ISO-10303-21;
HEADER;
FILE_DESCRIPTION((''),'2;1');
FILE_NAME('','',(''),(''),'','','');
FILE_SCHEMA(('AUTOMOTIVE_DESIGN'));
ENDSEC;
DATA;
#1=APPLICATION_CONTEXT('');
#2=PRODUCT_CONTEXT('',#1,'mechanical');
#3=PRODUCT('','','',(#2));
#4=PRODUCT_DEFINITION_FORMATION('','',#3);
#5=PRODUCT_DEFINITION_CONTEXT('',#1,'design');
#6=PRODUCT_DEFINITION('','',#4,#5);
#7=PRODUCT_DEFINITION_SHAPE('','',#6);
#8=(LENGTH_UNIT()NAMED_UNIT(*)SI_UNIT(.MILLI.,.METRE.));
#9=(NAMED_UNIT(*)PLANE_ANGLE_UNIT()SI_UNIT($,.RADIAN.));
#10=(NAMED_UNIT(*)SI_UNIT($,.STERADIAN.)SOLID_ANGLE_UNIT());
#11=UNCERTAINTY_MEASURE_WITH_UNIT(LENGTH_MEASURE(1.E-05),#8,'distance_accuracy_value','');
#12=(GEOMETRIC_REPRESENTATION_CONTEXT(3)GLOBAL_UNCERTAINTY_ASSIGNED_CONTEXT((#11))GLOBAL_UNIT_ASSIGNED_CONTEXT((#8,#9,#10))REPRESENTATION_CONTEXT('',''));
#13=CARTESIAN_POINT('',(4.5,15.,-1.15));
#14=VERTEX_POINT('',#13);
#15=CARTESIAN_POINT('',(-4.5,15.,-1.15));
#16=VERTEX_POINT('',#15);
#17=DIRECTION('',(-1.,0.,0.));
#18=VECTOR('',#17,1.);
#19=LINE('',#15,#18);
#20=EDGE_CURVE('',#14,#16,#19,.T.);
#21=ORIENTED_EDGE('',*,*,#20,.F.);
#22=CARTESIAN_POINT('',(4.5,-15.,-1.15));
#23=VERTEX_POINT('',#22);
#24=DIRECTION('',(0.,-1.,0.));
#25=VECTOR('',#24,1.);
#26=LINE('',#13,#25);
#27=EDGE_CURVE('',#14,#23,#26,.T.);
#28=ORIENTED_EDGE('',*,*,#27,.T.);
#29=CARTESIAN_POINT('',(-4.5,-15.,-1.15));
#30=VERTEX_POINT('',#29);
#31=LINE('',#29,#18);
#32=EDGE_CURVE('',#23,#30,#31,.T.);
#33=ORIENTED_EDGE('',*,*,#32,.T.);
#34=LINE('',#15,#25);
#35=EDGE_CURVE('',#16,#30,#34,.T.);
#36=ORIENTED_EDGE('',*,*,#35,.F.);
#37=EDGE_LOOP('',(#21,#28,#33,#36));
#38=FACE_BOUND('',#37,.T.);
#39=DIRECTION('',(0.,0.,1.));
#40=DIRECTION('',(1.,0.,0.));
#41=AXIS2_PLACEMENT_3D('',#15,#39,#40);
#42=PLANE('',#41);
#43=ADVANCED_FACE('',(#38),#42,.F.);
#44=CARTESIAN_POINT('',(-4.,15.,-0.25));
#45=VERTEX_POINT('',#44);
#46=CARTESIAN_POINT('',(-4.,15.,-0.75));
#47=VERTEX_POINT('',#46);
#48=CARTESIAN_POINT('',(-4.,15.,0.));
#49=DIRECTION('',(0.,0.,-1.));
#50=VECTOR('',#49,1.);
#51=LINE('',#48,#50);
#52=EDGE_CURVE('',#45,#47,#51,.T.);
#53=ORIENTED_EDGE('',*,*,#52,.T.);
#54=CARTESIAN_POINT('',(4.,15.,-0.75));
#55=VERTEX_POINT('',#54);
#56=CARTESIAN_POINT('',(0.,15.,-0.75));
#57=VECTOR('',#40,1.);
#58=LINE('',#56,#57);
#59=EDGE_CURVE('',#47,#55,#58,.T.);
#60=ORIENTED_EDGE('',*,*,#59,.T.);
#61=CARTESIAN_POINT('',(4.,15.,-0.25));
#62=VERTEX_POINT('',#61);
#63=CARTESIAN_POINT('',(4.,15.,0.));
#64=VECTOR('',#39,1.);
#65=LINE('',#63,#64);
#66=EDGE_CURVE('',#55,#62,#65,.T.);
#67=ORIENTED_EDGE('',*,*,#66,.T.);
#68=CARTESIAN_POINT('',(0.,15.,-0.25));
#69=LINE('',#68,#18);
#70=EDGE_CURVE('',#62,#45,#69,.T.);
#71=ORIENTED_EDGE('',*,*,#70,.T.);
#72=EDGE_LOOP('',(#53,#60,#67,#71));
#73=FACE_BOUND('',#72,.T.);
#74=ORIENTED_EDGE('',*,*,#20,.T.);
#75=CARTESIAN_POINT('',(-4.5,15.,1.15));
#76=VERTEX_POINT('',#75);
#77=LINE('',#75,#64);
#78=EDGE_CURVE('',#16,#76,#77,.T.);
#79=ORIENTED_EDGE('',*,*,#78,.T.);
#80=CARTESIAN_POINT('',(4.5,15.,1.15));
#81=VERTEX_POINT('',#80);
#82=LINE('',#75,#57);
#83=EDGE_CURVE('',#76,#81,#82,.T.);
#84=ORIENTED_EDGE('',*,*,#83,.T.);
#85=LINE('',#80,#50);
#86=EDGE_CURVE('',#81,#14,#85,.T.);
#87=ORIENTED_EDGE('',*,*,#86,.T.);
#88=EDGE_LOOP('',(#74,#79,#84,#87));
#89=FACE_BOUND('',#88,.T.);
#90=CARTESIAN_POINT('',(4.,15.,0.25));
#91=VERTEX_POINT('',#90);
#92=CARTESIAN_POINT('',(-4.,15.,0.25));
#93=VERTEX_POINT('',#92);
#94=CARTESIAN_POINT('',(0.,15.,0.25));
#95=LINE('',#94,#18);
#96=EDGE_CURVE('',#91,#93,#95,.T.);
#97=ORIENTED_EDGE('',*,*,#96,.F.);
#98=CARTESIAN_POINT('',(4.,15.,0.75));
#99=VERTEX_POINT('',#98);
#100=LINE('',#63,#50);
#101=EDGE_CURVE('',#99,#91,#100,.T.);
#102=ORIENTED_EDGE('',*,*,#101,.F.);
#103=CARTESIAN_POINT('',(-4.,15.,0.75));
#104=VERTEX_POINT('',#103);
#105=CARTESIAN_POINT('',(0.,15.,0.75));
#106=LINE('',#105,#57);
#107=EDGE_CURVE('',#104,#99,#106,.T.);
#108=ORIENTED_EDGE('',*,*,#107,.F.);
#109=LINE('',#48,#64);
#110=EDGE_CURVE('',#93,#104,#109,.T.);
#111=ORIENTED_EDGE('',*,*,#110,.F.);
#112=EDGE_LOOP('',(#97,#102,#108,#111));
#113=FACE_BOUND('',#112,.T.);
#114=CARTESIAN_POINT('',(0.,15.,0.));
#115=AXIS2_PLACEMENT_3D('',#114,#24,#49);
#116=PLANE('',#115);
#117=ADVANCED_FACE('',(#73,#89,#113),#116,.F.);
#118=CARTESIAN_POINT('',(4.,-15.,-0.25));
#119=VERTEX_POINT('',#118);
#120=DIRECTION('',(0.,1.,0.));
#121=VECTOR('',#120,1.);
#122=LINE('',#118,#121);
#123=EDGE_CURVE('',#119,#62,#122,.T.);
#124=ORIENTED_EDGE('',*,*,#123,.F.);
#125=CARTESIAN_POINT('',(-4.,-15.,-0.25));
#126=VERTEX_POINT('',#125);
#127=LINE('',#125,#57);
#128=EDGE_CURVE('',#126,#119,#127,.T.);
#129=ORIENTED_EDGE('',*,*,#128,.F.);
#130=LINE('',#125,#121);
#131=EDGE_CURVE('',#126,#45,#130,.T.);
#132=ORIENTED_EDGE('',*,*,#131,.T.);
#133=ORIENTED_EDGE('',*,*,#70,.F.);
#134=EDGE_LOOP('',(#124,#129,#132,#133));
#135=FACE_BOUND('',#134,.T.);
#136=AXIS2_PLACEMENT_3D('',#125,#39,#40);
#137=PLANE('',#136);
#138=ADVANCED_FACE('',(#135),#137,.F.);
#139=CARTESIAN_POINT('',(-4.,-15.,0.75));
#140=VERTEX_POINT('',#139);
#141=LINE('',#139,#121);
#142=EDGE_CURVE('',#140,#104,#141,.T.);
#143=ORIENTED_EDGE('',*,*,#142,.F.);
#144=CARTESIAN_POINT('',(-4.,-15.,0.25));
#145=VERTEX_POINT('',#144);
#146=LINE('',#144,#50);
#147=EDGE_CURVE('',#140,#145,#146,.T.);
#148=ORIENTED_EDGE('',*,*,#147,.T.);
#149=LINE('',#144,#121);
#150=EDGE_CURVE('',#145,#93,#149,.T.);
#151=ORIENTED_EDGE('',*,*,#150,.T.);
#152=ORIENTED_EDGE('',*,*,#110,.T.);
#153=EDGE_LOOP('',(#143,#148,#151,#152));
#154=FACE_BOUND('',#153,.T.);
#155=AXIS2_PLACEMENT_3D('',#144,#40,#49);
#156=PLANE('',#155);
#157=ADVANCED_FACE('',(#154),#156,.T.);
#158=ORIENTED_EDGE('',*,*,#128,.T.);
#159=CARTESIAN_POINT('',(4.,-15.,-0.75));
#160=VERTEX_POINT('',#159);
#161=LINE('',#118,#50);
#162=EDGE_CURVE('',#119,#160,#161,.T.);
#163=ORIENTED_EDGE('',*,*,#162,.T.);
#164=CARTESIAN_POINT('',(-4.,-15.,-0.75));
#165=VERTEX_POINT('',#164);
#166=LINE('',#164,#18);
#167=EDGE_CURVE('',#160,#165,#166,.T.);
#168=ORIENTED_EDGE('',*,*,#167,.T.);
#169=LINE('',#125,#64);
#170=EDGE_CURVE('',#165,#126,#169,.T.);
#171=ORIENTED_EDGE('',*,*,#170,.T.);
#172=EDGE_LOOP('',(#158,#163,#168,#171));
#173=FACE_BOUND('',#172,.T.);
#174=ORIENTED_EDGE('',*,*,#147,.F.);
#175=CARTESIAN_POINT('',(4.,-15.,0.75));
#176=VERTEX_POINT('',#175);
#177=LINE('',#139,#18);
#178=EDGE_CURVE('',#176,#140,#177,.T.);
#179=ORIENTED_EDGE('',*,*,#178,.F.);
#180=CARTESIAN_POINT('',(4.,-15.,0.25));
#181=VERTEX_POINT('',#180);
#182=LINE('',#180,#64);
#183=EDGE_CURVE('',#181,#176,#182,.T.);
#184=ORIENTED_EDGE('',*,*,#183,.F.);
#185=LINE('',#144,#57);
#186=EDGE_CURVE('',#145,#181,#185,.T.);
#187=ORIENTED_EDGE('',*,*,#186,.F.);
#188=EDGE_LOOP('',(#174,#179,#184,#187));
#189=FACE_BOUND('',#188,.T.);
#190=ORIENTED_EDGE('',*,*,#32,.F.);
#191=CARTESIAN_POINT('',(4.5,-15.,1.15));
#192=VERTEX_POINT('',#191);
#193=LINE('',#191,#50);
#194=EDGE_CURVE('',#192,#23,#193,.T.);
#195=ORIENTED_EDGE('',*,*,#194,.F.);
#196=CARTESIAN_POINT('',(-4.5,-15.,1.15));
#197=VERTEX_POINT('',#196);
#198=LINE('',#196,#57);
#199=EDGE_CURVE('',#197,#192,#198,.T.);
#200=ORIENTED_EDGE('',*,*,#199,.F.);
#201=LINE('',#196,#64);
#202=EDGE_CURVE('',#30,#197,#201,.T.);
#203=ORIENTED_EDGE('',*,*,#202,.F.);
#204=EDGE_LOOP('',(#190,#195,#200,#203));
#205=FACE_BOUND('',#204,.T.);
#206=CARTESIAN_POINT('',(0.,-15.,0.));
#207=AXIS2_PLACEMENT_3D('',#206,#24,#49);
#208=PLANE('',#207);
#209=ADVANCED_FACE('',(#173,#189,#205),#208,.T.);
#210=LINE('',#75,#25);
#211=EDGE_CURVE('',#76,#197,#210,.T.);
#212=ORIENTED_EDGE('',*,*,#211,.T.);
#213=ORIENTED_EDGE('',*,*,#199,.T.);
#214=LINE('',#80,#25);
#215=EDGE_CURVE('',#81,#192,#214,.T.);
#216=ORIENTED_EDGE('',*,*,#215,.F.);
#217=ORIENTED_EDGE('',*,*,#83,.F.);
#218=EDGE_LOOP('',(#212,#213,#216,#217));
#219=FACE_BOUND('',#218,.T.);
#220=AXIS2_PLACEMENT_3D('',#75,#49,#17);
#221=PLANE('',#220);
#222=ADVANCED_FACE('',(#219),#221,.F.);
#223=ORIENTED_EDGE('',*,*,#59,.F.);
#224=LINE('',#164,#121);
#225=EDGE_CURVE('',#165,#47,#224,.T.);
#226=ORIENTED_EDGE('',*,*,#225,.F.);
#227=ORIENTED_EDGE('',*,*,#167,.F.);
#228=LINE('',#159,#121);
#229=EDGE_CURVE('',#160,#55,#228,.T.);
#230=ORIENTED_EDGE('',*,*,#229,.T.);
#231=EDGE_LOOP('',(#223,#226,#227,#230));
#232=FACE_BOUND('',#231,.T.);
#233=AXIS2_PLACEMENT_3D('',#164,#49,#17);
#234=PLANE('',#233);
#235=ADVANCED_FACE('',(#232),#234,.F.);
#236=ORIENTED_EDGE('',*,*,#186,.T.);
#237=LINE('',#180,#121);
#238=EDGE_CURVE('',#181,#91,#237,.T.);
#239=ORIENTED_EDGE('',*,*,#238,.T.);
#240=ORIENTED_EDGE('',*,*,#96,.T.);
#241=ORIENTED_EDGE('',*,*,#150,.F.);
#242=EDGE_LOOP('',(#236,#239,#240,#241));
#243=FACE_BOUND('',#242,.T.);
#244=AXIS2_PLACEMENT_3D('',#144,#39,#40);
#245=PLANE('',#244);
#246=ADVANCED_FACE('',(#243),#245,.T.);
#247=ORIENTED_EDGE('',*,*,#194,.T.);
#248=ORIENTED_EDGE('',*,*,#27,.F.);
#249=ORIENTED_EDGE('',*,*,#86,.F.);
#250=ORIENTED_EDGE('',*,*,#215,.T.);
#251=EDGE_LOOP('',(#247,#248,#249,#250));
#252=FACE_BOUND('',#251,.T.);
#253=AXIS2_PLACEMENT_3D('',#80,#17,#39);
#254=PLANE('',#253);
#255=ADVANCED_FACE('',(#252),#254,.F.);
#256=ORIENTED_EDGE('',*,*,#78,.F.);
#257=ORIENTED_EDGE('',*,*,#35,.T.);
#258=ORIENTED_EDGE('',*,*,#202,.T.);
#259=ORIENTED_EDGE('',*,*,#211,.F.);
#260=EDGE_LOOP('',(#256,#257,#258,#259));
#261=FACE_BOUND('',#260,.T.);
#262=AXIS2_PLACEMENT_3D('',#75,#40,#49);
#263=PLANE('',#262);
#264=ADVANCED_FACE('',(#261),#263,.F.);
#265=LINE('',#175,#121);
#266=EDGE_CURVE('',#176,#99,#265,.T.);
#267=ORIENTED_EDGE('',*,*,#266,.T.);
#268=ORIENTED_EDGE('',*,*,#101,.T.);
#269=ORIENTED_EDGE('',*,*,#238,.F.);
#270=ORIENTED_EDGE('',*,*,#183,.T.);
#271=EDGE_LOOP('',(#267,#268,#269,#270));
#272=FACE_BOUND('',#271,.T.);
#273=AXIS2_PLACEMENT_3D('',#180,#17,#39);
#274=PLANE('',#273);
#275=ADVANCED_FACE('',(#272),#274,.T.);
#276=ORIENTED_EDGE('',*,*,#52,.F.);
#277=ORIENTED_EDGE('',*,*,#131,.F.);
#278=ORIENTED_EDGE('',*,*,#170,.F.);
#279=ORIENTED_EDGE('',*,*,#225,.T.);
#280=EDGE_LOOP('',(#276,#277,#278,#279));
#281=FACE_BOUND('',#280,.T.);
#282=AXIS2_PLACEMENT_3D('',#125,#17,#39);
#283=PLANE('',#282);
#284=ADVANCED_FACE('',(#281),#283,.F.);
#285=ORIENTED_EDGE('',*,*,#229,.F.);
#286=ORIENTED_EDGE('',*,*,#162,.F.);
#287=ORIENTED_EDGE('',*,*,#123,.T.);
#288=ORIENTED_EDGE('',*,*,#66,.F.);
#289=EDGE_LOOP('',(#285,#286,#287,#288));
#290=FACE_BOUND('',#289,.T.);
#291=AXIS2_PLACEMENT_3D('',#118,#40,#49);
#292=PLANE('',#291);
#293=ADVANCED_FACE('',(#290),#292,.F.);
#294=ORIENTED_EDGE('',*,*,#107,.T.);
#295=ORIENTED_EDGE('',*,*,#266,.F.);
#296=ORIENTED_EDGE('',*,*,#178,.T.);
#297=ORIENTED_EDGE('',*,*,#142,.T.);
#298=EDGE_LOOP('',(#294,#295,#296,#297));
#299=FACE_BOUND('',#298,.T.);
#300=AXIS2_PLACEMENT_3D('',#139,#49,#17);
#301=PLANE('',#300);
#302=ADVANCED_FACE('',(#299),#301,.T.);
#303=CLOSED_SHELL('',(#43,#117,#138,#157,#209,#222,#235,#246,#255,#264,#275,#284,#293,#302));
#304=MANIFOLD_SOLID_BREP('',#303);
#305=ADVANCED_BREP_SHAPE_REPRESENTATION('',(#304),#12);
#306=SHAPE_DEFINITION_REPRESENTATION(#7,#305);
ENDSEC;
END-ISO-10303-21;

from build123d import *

# Parameters (mm, degrees)
SKETCH1_W           = 9
SKETCH1_H           = 2.3
BOSS_EXTRUDE1_DEPTH = 15
CUT_EXTRUDE1_START  = -31
SKETCH2_W           = 8
SKETCH2_H           = 0.5
CUT_EXTRUDE1_DEPTH  = 32


with BuildPart() as part:
    # Sketch1 → Boss-Extrude1 (new body, symmetric)
    with BuildSketch(Plane(origin=(0, 0, 0), x_dir=(1, 0, 0), z_dir=(0, 1, 0))):
        Rectangle(SKETCH1_W, SKETCH1_H)
    extrude(amount=BOSS_EXTRUDE1_DEPTH, both=True)

    # Sketch2 → Cut-Extrude1 (cut)
    with BuildSketch(Plane(origin=(0, 15, 0), x_dir=(1, 0, 0), z_dir=(0, 1, 0)).offset(CUT_EXTRUDE1_START)):
        with Locations((0, 0.5)):
            Rectangle(SKETCH2_W, SKETCH2_H)
    cut_extrude1 = extrude(amount=CUT_EXTRUDE1_DEPTH, mode=Mode.SUBTRACT)

    # Mirror1: Cut-Extrude1 across plane
    add(cut_extrude1.mirror(Plane.XY), mode=Mode.SUBTRACT)


solid = part.part
